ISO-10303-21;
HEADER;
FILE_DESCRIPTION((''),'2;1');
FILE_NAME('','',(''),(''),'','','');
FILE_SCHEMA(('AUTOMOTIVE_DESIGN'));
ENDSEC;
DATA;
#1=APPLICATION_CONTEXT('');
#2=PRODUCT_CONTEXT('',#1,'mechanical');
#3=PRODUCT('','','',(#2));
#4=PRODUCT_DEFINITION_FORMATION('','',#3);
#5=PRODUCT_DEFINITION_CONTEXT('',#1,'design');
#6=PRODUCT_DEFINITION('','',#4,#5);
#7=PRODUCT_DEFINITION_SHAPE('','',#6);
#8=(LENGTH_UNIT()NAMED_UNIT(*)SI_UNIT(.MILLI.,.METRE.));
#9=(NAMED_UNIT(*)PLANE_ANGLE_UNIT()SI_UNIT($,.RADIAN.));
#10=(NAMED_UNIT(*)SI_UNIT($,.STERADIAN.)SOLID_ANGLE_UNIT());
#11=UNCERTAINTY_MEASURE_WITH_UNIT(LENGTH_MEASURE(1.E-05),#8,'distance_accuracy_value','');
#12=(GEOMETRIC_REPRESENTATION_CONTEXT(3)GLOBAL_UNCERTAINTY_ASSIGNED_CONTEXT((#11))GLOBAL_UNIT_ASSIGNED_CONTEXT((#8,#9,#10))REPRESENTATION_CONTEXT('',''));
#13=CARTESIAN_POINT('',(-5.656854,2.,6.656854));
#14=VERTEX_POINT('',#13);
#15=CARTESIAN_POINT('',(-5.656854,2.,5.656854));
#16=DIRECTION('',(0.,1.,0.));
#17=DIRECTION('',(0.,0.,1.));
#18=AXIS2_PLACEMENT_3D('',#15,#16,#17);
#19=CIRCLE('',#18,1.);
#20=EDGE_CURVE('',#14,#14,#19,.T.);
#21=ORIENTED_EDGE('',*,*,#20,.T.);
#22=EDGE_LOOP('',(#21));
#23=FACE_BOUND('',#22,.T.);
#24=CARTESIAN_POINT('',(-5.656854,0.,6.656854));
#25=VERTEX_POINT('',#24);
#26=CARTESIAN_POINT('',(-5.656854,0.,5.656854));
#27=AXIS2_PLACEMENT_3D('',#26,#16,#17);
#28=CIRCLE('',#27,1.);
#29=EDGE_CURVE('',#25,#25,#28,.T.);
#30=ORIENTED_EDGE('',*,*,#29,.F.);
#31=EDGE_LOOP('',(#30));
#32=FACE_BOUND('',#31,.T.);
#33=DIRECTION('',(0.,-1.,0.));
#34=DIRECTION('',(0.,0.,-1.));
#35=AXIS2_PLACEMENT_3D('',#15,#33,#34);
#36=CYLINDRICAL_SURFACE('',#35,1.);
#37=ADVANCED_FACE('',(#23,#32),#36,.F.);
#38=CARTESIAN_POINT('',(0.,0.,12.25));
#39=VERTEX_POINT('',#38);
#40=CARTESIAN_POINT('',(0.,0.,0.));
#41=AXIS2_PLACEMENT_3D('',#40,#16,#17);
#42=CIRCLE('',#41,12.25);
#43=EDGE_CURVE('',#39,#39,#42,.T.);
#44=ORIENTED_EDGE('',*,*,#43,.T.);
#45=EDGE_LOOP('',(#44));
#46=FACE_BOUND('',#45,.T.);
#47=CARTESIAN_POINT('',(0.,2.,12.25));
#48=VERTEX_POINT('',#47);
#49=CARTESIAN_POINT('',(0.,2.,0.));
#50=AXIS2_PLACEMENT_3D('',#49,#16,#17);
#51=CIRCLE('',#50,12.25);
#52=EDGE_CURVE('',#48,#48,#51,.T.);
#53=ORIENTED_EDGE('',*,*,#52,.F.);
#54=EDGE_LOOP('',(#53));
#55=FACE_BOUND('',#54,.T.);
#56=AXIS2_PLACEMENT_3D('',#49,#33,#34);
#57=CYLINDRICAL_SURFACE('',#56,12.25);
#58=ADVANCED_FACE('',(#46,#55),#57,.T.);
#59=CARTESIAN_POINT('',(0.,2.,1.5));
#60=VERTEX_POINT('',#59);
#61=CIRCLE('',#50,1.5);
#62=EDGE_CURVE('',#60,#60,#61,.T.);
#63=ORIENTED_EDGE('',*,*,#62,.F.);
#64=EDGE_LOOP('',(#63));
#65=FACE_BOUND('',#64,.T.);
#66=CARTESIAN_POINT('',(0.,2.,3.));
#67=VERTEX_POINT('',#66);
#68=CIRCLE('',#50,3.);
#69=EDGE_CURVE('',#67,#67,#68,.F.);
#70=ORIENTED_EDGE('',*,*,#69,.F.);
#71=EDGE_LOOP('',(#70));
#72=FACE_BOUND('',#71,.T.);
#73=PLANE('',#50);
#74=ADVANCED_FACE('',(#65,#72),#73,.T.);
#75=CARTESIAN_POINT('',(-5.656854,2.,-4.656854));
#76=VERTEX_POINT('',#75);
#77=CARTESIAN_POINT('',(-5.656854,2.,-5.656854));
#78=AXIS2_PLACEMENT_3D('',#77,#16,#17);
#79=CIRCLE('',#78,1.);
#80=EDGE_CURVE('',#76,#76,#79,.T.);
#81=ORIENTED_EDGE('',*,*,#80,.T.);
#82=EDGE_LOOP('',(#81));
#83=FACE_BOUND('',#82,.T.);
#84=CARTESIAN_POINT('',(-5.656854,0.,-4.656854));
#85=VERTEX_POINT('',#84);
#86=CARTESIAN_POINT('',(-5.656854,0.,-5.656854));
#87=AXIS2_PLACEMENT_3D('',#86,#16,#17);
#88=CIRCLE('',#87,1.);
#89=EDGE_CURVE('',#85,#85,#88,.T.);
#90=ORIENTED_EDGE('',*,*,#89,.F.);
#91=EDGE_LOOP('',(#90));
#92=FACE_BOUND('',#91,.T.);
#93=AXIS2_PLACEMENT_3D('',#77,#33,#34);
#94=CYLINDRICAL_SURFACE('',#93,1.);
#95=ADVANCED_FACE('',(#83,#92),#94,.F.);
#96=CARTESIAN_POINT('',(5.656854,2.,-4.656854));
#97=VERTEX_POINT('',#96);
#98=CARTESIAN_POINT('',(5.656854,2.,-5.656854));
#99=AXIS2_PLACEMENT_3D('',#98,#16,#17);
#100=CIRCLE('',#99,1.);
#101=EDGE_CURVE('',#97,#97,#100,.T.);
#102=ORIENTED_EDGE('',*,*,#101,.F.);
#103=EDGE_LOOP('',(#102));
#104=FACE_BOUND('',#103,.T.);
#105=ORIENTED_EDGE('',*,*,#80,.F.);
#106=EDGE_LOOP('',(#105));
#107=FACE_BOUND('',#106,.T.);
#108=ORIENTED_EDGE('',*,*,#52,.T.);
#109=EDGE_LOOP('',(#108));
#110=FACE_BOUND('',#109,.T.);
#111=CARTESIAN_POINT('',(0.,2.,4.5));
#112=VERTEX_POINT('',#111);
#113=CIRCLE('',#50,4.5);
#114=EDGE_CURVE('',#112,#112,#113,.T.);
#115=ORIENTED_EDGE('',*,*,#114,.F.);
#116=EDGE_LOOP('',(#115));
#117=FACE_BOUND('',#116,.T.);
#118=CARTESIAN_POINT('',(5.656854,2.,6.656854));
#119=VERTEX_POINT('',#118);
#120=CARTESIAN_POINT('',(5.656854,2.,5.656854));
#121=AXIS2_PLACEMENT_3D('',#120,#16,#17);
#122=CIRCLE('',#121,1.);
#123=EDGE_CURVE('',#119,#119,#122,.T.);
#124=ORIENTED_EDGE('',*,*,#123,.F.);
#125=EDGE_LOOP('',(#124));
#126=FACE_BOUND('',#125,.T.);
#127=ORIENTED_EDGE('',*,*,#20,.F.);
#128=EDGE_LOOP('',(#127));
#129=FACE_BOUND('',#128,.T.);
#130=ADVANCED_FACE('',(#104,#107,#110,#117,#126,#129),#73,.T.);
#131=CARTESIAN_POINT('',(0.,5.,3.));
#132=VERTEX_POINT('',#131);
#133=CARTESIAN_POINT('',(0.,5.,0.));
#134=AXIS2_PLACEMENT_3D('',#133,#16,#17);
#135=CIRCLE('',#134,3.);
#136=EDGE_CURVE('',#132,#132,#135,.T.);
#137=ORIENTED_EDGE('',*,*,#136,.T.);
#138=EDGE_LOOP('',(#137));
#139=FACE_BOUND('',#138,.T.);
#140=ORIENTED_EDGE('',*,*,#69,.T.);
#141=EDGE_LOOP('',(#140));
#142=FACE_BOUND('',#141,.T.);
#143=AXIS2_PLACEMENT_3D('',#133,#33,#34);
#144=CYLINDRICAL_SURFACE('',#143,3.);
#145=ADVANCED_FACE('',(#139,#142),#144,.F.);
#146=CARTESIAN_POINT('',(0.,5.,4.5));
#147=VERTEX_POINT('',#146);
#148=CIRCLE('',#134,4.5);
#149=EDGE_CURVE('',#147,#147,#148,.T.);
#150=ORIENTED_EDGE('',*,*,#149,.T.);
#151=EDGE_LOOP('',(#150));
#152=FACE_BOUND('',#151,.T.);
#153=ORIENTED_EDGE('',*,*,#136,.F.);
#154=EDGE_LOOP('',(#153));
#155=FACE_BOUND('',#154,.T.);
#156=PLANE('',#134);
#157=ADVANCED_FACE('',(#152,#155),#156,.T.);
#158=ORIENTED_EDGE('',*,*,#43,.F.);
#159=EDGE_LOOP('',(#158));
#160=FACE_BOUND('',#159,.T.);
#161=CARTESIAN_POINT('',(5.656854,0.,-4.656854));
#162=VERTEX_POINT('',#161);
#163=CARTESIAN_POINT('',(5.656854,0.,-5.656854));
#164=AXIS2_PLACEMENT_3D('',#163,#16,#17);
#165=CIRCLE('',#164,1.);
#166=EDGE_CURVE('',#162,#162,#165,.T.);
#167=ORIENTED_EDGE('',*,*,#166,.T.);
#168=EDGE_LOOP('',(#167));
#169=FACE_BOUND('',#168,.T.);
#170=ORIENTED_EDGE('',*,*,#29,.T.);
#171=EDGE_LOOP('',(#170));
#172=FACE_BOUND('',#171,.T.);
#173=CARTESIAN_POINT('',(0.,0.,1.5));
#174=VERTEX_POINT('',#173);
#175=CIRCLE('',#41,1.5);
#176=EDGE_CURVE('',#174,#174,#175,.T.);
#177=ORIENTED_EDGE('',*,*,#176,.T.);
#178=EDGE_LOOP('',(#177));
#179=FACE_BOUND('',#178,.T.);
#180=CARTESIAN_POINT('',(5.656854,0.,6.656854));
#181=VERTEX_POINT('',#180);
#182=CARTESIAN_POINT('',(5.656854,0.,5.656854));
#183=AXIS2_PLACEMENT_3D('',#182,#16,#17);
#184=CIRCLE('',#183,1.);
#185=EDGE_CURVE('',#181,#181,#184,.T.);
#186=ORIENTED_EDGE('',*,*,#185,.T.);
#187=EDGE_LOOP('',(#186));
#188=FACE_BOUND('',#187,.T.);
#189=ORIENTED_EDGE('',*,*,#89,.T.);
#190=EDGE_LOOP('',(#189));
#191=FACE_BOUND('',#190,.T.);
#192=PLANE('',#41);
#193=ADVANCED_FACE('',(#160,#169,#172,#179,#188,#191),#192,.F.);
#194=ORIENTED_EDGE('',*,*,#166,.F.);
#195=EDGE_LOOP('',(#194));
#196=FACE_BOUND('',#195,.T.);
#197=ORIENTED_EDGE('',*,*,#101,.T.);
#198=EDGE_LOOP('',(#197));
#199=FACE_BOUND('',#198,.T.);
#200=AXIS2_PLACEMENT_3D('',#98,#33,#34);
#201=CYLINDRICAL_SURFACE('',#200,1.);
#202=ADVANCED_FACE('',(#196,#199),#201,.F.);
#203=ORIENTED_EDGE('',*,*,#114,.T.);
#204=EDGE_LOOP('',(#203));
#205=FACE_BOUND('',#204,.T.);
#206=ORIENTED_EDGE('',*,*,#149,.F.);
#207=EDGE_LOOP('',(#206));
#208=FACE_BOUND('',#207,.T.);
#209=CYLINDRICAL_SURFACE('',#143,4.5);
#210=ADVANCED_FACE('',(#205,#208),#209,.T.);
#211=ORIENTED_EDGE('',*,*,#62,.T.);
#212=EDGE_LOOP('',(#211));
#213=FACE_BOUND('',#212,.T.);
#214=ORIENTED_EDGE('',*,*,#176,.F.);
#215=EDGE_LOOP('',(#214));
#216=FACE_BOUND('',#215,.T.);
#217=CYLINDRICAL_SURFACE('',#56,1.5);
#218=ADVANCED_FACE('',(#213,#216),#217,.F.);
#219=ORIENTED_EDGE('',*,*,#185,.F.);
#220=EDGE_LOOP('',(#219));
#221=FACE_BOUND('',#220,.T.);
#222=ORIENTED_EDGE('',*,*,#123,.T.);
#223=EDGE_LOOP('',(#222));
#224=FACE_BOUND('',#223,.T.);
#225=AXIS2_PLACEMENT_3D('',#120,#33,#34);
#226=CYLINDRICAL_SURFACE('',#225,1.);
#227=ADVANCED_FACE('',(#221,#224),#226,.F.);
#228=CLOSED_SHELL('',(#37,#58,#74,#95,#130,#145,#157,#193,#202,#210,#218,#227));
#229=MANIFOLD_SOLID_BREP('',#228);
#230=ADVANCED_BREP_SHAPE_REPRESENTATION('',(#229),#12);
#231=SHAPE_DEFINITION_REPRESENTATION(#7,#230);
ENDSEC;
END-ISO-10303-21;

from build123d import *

# Parameters (mm, degrees)
SKETCH1_R           = 12.25
SKETCH1_R_2         = 1
SKETCH1_R_3         = 1.5
BOSS_EXTRUDE1_DEPTH = 2
SKETCH2_R           = 4.5
SKETCH2_R_2         = 3
BOSS_EXTRUDE2_DEPTH = 3


with BuildPart() as part:
    # Sketch1 → Boss-Extrude1 (new body)
    with BuildSketch(Plane(origin=(0, 0, 0), x_dir=(1, 0, 0), z_dir=(0, 1, 0))):
        Circle(SKETCH1_R)
        with Locations((-5.656854249, 5.656854249)):
            Circle(SKETCH1_R_2, mode=Mode.SUBTRACT)
        with Locations((5.656854249, 5.656854249)):
            Circle(SKETCH1_R_2, mode=Mode.SUBTRACT)
        with Locations((-5.656854249, -5.656854249)):
            Circle(SKETCH1_R_2, mode=Mode.SUBTRACT)
        with Locations((5.656854249, -5.656854249)):
            Circle(SKETCH1_R_2, mode=Mode.SUBTRACT)
        Circle(SKETCH1_R_3, mode=Mode.SUBTRACT)
    extrude(amount=BOSS_EXTRUDE1_DEPTH)

    # Sketch2 → Boss-Extrude2 (add)
    with BuildSketch(Plane(origin=(0, 2, 0), x_dir=(1, 0, 0), z_dir=(0, 1, 0))):
        Circle(SKETCH2_R)
        Circle(SKETCH2_R_2, mode=Mode.SUBTRACT)
    extrude(amount=BOSS_EXTRUDE2_DEPTH)


solid = part.part
